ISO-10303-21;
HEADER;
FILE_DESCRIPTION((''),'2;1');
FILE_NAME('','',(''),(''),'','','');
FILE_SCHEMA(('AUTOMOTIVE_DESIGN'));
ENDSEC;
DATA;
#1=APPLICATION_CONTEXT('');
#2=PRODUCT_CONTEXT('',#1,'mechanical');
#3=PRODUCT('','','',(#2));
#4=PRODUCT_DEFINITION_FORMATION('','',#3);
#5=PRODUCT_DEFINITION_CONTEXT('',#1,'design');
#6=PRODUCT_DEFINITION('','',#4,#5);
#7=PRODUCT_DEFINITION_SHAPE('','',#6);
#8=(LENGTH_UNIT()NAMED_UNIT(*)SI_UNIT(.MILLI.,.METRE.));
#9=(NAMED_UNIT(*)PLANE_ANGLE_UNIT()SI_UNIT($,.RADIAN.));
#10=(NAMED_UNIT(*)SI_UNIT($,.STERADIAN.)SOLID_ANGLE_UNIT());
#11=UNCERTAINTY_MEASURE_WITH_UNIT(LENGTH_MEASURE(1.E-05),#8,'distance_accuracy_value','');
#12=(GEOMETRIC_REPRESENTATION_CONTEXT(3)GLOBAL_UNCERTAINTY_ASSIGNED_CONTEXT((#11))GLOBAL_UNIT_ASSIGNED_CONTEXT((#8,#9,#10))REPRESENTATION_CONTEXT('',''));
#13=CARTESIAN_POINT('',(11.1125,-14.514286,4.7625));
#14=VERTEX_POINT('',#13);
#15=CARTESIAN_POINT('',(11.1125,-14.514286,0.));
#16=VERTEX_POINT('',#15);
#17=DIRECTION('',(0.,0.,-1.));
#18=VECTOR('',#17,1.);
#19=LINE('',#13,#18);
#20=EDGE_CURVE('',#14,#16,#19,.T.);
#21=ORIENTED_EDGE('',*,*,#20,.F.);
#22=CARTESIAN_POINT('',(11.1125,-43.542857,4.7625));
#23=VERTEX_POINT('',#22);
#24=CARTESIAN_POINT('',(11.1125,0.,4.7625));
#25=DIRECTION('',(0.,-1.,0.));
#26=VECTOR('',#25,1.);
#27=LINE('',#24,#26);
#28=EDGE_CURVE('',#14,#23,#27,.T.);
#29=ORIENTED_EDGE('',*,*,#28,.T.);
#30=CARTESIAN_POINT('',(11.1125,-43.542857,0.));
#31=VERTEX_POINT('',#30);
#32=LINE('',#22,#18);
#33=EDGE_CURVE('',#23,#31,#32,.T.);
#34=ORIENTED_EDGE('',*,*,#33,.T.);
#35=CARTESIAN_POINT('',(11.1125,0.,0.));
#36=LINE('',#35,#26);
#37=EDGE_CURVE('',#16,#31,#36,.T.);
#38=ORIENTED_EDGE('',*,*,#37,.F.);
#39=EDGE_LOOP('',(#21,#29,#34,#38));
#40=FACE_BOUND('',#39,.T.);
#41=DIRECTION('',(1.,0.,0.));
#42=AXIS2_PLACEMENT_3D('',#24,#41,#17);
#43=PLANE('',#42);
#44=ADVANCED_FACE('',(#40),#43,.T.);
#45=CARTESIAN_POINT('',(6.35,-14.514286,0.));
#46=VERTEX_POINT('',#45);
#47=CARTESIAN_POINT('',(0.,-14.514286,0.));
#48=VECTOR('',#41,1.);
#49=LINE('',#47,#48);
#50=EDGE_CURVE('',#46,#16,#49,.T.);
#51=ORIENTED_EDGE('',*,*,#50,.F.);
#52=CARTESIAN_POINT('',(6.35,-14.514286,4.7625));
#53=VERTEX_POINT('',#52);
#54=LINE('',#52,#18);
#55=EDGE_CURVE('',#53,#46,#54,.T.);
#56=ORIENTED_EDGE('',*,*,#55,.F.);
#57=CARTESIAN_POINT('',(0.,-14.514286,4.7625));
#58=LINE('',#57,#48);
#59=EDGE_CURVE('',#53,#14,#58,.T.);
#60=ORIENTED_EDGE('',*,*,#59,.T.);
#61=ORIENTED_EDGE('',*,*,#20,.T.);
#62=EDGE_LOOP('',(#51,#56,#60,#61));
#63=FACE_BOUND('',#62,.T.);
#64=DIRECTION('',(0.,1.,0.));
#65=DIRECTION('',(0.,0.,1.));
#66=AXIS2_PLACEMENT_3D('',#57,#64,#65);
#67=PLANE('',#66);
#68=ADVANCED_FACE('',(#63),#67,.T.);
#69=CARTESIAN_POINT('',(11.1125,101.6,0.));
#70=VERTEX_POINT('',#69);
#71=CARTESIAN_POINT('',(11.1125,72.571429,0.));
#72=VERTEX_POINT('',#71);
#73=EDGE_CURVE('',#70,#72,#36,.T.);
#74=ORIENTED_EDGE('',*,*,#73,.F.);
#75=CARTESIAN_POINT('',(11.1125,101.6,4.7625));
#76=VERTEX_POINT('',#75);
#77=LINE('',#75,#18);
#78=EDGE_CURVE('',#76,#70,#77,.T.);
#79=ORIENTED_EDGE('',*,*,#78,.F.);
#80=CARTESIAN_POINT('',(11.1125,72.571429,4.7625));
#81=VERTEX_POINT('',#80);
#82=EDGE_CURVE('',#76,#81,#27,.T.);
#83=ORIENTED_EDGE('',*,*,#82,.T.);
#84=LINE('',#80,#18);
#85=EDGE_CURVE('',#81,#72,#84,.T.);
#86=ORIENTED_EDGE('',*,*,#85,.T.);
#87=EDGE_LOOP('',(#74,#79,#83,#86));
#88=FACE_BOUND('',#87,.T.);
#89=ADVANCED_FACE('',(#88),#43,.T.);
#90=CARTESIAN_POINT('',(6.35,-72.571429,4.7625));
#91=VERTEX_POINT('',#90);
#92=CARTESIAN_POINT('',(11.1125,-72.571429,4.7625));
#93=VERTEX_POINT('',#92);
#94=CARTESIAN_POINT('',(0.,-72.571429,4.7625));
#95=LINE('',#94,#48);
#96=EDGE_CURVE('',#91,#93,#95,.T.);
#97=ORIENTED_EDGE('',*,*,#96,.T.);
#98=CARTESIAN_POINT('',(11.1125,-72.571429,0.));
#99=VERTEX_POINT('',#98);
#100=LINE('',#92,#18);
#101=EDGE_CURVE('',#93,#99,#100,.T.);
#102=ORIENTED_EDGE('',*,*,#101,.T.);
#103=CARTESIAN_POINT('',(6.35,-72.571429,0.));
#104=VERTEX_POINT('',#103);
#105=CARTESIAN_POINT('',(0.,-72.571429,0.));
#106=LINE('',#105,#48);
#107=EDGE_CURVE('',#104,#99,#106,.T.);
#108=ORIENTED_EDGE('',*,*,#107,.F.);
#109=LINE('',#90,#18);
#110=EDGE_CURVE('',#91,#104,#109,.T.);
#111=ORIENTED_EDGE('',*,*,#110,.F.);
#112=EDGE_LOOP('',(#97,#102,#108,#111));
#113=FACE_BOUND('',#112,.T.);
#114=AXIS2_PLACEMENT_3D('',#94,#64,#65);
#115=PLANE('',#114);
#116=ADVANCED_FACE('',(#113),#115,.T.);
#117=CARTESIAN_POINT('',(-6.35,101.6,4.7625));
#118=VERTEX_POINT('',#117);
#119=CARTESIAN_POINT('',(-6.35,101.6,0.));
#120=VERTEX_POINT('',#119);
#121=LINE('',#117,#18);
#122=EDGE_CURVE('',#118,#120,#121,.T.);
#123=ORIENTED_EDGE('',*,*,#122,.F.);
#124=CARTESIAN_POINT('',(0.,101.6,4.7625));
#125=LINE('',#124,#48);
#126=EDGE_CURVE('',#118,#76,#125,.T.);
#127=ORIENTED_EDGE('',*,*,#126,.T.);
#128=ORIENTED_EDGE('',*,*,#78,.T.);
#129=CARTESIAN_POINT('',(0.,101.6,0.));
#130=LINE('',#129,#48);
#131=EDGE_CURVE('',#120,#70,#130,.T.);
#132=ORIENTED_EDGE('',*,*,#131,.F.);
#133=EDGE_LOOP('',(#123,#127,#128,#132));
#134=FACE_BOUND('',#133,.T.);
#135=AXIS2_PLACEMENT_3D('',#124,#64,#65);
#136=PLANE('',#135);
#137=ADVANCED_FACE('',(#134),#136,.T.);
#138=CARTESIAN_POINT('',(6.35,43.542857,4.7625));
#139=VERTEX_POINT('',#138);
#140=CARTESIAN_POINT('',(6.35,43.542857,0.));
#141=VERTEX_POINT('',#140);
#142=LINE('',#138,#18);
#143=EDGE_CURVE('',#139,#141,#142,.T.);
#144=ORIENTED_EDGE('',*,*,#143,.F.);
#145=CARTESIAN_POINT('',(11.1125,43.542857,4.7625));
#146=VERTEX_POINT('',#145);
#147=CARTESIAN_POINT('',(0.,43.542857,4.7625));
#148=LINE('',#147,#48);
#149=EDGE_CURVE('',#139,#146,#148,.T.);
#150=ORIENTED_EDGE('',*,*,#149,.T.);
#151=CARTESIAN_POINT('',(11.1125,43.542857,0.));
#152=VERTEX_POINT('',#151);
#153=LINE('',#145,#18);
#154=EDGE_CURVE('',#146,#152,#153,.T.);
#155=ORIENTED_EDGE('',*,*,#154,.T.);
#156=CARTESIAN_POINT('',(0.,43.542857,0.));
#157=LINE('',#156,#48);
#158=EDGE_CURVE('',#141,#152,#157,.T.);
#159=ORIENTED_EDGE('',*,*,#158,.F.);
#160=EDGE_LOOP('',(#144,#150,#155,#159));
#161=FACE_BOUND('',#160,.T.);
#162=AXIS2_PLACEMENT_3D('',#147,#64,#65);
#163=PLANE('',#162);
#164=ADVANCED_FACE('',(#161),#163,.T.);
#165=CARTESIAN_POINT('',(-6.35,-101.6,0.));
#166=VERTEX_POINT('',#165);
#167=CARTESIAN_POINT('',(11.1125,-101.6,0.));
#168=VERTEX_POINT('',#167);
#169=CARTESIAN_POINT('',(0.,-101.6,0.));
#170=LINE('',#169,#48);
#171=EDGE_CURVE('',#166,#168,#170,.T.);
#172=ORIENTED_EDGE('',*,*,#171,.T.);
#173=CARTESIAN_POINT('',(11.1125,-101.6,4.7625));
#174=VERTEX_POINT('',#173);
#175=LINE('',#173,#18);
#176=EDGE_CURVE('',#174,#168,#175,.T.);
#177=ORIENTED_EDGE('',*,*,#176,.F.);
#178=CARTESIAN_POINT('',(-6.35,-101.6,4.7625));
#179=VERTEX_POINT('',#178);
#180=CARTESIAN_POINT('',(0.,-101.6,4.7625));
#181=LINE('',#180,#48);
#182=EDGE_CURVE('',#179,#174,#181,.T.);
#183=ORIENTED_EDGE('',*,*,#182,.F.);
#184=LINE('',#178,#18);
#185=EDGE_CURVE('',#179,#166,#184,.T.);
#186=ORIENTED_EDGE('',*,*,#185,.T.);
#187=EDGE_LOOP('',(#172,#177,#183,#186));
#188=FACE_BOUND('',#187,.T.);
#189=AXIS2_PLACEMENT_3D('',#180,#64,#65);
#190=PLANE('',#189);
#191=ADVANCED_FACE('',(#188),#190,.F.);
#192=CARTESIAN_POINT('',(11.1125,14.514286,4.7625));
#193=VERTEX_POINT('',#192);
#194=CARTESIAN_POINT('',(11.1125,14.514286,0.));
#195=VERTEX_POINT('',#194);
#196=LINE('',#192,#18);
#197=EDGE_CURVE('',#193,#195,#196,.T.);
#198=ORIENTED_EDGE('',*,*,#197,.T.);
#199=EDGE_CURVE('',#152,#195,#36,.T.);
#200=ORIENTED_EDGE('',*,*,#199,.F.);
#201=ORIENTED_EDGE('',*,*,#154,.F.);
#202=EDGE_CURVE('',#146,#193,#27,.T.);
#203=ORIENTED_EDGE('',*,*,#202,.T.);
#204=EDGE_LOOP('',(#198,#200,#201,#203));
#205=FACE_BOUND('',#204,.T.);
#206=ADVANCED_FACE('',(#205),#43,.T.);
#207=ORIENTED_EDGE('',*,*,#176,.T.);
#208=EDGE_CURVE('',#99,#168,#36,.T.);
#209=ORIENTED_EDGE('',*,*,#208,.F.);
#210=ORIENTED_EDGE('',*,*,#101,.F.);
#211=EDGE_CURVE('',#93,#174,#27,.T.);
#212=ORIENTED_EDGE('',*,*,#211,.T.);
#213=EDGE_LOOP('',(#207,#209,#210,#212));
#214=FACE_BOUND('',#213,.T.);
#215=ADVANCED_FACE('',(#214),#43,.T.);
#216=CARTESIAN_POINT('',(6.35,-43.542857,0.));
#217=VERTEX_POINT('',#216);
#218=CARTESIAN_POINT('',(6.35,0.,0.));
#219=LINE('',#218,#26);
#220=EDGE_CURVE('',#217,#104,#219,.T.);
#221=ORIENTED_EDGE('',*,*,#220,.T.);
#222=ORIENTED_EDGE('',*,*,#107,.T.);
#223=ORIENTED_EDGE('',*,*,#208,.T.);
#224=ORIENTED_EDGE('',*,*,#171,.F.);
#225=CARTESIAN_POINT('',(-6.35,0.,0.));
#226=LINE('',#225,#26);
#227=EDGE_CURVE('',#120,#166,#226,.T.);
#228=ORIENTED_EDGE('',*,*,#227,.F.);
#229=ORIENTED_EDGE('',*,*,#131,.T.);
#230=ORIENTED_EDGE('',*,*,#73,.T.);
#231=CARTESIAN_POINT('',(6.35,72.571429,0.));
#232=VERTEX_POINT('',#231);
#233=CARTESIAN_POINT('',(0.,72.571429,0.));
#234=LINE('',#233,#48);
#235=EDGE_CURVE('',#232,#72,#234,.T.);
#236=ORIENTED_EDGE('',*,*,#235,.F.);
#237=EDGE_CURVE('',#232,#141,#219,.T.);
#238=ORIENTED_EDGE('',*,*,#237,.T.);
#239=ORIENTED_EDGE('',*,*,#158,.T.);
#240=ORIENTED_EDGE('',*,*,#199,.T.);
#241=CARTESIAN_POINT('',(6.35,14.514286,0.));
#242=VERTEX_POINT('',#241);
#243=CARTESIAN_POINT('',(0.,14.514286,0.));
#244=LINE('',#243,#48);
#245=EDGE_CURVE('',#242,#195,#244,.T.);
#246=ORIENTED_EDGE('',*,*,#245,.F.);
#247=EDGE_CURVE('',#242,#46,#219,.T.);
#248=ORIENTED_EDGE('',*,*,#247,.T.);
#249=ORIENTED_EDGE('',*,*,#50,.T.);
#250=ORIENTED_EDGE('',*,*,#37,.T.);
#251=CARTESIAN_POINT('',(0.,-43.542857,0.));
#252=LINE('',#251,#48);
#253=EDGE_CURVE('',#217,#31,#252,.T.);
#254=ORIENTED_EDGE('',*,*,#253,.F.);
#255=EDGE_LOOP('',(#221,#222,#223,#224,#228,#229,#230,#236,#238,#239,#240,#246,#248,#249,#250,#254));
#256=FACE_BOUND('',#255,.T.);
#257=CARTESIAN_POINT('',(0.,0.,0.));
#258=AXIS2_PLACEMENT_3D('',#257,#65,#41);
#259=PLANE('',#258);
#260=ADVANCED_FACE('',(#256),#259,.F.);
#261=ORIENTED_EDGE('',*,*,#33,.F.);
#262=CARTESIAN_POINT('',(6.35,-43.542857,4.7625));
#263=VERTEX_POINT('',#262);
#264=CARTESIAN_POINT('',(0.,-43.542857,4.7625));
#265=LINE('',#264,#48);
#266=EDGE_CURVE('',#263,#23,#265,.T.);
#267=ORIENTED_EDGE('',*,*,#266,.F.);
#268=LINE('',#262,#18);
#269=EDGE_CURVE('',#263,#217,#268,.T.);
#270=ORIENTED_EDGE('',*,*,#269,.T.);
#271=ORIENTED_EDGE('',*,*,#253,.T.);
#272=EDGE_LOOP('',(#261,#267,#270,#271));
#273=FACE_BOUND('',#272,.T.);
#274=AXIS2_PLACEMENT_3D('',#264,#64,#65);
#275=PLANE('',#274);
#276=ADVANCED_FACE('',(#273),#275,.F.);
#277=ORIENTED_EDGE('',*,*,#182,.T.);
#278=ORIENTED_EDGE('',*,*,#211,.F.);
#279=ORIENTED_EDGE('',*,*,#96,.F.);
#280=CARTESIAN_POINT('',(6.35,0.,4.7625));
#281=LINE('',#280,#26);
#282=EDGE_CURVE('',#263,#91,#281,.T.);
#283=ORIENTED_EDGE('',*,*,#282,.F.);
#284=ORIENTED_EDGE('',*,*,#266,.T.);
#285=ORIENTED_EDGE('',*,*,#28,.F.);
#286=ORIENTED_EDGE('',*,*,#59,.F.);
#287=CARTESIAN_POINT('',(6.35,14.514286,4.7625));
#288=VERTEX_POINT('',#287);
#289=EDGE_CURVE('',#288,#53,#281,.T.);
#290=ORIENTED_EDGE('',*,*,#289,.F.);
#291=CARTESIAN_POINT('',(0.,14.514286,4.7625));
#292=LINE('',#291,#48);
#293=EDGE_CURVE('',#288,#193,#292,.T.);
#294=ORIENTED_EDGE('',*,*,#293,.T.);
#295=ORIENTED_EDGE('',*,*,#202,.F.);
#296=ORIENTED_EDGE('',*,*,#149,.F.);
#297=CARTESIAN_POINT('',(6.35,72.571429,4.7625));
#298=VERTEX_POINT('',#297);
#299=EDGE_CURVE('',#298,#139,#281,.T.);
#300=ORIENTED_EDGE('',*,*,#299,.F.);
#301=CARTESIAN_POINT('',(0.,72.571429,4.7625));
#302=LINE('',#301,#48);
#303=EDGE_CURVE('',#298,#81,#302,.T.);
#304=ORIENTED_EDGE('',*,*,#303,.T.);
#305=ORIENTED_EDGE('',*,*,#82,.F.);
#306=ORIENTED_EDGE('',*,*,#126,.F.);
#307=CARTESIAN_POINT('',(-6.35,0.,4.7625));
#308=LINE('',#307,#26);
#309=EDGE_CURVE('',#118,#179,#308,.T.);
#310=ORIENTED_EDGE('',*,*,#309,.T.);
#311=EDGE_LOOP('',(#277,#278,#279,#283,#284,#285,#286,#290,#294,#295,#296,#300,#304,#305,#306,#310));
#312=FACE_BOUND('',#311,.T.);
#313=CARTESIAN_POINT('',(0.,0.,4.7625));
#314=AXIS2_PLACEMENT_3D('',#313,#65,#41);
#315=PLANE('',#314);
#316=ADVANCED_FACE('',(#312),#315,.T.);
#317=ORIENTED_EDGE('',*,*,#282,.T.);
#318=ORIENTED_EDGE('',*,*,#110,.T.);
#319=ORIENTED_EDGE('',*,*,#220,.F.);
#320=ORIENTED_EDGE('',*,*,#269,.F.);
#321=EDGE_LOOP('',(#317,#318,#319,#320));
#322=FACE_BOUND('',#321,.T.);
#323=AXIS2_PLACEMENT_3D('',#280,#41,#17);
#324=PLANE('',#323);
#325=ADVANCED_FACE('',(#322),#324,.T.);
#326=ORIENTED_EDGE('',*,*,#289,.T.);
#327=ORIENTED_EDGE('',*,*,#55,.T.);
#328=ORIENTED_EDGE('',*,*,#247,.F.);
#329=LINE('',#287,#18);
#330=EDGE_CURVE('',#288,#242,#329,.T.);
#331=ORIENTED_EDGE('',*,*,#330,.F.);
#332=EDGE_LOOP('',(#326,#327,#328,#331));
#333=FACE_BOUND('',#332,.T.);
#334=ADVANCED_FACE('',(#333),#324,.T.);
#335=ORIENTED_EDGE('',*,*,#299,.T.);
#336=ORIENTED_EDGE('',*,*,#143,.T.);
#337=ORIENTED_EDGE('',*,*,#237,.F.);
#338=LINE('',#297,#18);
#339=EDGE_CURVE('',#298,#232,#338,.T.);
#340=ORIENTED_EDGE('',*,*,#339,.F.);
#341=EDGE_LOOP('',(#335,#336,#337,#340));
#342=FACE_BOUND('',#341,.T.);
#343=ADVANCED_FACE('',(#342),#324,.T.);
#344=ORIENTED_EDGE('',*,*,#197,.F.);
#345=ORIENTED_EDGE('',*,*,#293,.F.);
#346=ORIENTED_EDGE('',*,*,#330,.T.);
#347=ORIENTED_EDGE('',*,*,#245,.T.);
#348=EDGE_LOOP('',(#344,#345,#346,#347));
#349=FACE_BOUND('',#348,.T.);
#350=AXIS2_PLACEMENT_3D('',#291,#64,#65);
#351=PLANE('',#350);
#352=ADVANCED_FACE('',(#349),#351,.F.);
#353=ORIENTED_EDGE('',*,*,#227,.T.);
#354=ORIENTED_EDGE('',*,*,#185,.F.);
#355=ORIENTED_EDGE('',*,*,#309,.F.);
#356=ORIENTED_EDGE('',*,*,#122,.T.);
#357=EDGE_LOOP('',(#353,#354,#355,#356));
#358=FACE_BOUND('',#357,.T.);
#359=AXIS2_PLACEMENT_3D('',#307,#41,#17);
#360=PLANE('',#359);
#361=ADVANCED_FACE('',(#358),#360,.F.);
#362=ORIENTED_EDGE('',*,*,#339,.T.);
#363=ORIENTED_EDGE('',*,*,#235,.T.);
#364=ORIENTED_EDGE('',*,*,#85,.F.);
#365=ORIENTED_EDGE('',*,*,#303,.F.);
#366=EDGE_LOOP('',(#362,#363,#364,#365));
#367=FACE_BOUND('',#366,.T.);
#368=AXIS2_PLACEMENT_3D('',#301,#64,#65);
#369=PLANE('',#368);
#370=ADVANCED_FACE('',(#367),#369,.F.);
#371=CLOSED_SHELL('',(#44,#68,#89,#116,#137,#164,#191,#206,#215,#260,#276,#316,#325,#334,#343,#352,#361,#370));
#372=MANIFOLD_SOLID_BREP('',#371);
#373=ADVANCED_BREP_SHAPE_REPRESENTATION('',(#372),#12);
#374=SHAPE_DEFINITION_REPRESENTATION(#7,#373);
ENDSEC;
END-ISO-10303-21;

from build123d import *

# Parameters (mm, degrees)
SKETCH1_W           = 6.35
SKETCH1_H           = 203.2
SKETCH1_W_2         = 4.7625
SKETCH1_H_2         = 29.028571429
BOSS_EXTRUDE1_DEPTH = 4.7625


with BuildPart() as part:
    # Sketch1 → Boss-Extrude1 (new body)
    with BuildSketch(Plane.XY):
        with Locations((-3.175, 0)):
            Rectangle(SKETCH1_W, SKETCH1_H)
        Polygon((6.35, 101.6), (0, 101.6), (0, -101.6), (6.35, -101.6), (6.35, -72.571428571), (6.35, -43.542857143), (6.35, -14.514285714), (6.35, 14.514285714), (6.35, 43.542857143), (6.35, 72.571428571), align=None)
        with Locations((8.73125, 87.085714286)):
            Rectangle(SKETCH1_W_2, SKETCH1_H_2)
        with Locations((8.73125, 29.028571429)):
            Rectangle(SKETCH1_W_2, SKETCH1_H_2)
        with Locations((8.73125, -29.028571429)):
            Rectangle(SKETCH1_W_2, SKETCH1_H_2)
        with Locations((8.73125, -87.085714286)):
            Rectangle(SKETCH1_W_2, SKETCH1_H_2)
    extrude(amount=BOSS_EXTRUDE1_DEPTH)


solid = part.part
